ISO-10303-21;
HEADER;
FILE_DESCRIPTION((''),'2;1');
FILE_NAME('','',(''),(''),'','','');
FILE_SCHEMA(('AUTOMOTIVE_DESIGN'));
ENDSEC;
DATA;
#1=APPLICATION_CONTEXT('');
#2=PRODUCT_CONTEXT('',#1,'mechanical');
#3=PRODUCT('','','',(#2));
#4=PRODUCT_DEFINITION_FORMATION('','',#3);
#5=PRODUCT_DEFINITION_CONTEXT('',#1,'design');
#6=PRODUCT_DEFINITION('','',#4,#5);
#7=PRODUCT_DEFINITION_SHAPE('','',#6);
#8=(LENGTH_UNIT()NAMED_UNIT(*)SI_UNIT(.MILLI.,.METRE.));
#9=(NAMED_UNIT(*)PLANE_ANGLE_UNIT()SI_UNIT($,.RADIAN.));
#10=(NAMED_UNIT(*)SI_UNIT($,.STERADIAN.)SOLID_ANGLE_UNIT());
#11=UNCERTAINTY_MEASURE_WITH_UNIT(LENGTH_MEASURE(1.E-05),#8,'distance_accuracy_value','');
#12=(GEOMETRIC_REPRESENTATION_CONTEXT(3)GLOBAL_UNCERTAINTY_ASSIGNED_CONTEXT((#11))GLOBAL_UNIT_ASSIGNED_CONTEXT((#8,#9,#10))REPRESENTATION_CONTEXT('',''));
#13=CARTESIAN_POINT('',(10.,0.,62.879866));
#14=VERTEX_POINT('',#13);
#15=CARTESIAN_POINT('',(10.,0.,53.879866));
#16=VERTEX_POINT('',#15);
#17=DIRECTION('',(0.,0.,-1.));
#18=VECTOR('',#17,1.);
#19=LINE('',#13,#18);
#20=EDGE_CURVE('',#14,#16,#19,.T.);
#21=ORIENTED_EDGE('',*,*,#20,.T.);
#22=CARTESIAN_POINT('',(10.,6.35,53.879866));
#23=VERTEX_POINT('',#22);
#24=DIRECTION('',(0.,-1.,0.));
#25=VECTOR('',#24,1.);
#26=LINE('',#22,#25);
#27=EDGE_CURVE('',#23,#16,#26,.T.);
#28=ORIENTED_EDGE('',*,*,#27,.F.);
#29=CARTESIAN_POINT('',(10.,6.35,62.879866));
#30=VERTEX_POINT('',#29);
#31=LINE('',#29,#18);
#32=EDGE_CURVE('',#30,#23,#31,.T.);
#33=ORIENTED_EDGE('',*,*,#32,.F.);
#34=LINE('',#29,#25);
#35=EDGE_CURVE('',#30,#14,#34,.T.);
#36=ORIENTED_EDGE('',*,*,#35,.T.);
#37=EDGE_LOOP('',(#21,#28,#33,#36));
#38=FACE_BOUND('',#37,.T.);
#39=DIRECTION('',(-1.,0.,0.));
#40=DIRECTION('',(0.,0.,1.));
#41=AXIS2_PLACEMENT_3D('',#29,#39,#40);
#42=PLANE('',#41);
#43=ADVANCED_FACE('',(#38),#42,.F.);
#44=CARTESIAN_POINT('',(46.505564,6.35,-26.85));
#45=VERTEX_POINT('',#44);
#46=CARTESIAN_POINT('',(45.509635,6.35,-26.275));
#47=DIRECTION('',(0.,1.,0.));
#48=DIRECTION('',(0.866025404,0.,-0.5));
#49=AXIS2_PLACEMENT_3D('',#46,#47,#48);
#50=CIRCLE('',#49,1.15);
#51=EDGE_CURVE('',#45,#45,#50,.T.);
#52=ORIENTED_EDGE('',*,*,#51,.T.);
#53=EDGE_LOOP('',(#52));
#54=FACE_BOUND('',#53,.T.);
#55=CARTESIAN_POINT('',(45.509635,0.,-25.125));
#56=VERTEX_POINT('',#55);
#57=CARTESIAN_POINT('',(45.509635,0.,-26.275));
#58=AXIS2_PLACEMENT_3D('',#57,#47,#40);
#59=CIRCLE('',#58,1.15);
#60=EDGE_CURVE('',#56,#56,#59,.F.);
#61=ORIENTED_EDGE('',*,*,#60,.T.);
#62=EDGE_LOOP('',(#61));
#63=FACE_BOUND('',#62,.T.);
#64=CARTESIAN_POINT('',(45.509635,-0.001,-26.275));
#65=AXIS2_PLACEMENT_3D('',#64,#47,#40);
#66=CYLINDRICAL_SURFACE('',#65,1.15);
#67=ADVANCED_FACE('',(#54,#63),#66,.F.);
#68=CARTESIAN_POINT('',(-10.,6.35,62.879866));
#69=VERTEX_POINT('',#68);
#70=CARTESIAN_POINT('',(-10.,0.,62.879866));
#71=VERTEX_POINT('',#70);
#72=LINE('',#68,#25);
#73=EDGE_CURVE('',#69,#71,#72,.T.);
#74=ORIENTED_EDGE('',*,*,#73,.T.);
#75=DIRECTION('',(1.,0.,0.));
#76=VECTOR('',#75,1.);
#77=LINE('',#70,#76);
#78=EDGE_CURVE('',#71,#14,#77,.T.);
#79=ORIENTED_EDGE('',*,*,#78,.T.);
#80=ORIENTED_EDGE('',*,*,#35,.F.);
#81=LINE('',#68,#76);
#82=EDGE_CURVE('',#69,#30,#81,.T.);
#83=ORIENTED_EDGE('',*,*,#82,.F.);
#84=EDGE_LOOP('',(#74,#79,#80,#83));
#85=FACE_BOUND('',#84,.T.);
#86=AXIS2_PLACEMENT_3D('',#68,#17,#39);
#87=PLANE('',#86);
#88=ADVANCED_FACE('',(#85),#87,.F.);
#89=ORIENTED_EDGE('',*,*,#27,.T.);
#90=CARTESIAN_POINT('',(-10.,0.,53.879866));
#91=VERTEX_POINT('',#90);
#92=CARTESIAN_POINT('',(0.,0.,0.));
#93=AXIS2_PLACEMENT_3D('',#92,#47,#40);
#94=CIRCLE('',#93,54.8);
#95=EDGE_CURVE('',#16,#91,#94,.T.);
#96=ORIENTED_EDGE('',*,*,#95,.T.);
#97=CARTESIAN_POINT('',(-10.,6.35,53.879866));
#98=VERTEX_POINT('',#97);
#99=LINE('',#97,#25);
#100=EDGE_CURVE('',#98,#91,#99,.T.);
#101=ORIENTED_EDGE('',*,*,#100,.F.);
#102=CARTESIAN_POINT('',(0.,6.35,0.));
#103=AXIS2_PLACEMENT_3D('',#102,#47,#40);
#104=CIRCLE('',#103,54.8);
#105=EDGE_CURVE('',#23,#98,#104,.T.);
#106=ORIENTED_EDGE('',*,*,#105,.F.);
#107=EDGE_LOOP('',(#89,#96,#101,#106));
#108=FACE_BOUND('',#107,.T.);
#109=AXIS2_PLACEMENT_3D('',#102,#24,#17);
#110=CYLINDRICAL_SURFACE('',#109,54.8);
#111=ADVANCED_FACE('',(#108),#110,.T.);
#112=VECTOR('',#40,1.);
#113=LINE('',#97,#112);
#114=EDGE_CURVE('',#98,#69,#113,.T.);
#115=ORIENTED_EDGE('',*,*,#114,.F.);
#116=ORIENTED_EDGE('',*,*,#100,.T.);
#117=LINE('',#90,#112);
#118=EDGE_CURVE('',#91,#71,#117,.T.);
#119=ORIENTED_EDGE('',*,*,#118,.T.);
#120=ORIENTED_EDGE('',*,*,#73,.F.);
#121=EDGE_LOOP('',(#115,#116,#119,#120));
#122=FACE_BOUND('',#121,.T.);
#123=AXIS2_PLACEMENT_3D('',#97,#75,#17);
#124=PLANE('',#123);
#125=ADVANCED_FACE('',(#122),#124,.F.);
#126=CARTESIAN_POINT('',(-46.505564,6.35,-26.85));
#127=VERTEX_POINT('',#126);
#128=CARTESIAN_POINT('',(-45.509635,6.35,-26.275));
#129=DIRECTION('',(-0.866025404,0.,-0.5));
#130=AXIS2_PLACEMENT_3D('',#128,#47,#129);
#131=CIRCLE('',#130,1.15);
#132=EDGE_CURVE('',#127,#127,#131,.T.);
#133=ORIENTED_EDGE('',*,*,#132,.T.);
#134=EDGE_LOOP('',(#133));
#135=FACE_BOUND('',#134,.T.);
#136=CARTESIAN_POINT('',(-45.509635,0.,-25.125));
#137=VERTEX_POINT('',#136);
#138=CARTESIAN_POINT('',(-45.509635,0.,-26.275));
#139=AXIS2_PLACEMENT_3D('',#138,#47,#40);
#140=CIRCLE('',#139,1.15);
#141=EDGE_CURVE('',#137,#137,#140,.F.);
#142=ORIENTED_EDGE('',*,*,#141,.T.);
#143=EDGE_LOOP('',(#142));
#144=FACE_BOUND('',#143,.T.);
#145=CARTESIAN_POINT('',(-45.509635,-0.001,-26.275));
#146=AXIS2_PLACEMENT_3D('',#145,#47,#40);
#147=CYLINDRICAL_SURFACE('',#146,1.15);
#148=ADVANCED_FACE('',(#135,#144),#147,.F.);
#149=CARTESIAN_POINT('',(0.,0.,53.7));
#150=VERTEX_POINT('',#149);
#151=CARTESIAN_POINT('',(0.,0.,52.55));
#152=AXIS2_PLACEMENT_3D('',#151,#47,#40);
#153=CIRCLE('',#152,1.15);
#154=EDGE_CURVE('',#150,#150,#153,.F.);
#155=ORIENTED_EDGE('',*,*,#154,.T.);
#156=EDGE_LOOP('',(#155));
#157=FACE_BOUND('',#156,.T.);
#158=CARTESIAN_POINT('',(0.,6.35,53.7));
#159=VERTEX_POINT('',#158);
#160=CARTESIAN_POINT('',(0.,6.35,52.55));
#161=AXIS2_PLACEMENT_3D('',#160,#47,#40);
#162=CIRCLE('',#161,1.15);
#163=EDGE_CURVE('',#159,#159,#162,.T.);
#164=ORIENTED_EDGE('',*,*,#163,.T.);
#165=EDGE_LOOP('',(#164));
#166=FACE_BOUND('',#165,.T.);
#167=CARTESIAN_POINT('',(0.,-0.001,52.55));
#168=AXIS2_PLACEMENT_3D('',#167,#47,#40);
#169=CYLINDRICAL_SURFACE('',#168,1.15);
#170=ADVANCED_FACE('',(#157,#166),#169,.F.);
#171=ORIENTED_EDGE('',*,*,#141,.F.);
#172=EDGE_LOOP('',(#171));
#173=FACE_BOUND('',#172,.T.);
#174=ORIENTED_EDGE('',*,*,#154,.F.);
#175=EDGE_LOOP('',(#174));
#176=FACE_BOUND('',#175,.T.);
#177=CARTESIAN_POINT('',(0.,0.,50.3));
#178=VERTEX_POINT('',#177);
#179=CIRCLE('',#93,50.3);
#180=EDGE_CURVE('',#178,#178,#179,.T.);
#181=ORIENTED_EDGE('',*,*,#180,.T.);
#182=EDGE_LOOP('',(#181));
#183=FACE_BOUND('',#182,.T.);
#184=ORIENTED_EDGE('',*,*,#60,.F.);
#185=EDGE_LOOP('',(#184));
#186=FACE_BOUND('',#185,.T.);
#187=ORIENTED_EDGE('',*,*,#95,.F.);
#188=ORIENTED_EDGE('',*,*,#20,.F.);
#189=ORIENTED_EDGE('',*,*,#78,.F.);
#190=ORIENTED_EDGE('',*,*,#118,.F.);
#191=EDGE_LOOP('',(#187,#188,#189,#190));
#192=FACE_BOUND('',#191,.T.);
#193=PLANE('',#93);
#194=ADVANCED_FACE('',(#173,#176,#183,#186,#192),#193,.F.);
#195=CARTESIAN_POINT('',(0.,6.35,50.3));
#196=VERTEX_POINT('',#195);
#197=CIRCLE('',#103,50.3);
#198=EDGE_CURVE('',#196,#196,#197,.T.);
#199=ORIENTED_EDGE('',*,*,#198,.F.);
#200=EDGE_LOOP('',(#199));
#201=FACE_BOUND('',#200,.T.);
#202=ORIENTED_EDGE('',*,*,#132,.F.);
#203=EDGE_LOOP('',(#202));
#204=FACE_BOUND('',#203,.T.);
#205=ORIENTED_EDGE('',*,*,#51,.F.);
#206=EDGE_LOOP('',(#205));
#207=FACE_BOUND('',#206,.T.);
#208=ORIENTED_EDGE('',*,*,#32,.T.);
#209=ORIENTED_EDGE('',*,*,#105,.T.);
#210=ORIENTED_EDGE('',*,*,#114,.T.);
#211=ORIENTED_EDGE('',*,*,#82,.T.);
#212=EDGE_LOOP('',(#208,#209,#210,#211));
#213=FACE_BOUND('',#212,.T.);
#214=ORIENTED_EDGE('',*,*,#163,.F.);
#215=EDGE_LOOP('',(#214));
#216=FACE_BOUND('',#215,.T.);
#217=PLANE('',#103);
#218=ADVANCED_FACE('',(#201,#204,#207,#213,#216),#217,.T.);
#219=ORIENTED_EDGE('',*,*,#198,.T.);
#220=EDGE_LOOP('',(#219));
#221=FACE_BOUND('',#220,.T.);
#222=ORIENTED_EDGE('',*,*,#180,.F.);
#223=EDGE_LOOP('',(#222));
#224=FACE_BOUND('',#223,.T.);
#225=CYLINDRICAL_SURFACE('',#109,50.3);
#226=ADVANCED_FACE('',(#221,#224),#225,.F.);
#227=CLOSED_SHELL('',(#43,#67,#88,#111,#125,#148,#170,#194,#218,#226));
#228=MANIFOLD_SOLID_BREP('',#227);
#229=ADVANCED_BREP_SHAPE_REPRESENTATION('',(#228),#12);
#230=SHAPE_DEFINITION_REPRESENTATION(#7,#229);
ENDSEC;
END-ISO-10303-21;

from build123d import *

# Parameters (mm, degrees)
SKETCH1_R           = 50.3
BOSS_EXTRUDE1_DEPTH = 6.35
CUT_EXTRUDE1_REACH  = 85.65
SKETCH2_R           = 1.15
CIRPATTERN1_COUNT   = 3


with BuildPart() as part:
    # Sketch1 → Boss-Extrude1 (new body)
    with BuildSketch(Plane(origin=(0, 0, 0), x_dir=(1, 0, 0), z_dir=(0, 1, 0))):
        with BuildLine():
            Line((-10, -53.87986637), (-10, -62.87986637))
            Line((-10, -62.87986637), (10, -62.87986637))
            Line((10, -62.87986637), (10, -53.87986637))
            ThreePointArc((10, -53.87986637), (0, 54.8), (-10, -53.87986637))
        make_face()
        with Locations(Location((0, 0, 0), (0, 0, 270))):
            Circle(SKETCH1_R, mode=Mode.SUBTRACT)
    extrude(amount=BOSS_EXTRUDE1_DEPTH)

    # Sketch2 → Cut-Extrude1 (cut, up to next)
    with BuildSketch(Plane(origin=(0, 6.35, 0), x_dir=(1, 0, 0), z_dir=(0, 1, 0)), mode=Mode.PRIVATE) as cut_extrude1_sk1:
        with Locations(Location((0, -52.55, 0), (0, 0, 270))):
            Circle(SKETCH2_R)
    cut_extrude1_tool1 = extrude(cut_extrude1_sk1.sketch, amount=-CUT_EXTRUDE1_REACH, mode=Mode.PRIVATE) & part.part
    cut_extrude1 = cut_extrude1_tool1.solids().sort_by_distance((0, 6.35, 52.55))[0]
    add(cut_extrude1, mode=Mode.SUBTRACT)

    # CirPattern1: Cut-Extrude1 ×3 about axis
    cirpattern1_axis = Axis((0, 0, 0), (0, 1, 0))
    for i in range(1, CIRPATTERN1_COUNT):
        add(cut_extrude1.rotate(cirpattern1_axis, i * 360 / CIRPATTERN1_COUNT), mode=Mode.SUBTRACT)


solid = part.part
